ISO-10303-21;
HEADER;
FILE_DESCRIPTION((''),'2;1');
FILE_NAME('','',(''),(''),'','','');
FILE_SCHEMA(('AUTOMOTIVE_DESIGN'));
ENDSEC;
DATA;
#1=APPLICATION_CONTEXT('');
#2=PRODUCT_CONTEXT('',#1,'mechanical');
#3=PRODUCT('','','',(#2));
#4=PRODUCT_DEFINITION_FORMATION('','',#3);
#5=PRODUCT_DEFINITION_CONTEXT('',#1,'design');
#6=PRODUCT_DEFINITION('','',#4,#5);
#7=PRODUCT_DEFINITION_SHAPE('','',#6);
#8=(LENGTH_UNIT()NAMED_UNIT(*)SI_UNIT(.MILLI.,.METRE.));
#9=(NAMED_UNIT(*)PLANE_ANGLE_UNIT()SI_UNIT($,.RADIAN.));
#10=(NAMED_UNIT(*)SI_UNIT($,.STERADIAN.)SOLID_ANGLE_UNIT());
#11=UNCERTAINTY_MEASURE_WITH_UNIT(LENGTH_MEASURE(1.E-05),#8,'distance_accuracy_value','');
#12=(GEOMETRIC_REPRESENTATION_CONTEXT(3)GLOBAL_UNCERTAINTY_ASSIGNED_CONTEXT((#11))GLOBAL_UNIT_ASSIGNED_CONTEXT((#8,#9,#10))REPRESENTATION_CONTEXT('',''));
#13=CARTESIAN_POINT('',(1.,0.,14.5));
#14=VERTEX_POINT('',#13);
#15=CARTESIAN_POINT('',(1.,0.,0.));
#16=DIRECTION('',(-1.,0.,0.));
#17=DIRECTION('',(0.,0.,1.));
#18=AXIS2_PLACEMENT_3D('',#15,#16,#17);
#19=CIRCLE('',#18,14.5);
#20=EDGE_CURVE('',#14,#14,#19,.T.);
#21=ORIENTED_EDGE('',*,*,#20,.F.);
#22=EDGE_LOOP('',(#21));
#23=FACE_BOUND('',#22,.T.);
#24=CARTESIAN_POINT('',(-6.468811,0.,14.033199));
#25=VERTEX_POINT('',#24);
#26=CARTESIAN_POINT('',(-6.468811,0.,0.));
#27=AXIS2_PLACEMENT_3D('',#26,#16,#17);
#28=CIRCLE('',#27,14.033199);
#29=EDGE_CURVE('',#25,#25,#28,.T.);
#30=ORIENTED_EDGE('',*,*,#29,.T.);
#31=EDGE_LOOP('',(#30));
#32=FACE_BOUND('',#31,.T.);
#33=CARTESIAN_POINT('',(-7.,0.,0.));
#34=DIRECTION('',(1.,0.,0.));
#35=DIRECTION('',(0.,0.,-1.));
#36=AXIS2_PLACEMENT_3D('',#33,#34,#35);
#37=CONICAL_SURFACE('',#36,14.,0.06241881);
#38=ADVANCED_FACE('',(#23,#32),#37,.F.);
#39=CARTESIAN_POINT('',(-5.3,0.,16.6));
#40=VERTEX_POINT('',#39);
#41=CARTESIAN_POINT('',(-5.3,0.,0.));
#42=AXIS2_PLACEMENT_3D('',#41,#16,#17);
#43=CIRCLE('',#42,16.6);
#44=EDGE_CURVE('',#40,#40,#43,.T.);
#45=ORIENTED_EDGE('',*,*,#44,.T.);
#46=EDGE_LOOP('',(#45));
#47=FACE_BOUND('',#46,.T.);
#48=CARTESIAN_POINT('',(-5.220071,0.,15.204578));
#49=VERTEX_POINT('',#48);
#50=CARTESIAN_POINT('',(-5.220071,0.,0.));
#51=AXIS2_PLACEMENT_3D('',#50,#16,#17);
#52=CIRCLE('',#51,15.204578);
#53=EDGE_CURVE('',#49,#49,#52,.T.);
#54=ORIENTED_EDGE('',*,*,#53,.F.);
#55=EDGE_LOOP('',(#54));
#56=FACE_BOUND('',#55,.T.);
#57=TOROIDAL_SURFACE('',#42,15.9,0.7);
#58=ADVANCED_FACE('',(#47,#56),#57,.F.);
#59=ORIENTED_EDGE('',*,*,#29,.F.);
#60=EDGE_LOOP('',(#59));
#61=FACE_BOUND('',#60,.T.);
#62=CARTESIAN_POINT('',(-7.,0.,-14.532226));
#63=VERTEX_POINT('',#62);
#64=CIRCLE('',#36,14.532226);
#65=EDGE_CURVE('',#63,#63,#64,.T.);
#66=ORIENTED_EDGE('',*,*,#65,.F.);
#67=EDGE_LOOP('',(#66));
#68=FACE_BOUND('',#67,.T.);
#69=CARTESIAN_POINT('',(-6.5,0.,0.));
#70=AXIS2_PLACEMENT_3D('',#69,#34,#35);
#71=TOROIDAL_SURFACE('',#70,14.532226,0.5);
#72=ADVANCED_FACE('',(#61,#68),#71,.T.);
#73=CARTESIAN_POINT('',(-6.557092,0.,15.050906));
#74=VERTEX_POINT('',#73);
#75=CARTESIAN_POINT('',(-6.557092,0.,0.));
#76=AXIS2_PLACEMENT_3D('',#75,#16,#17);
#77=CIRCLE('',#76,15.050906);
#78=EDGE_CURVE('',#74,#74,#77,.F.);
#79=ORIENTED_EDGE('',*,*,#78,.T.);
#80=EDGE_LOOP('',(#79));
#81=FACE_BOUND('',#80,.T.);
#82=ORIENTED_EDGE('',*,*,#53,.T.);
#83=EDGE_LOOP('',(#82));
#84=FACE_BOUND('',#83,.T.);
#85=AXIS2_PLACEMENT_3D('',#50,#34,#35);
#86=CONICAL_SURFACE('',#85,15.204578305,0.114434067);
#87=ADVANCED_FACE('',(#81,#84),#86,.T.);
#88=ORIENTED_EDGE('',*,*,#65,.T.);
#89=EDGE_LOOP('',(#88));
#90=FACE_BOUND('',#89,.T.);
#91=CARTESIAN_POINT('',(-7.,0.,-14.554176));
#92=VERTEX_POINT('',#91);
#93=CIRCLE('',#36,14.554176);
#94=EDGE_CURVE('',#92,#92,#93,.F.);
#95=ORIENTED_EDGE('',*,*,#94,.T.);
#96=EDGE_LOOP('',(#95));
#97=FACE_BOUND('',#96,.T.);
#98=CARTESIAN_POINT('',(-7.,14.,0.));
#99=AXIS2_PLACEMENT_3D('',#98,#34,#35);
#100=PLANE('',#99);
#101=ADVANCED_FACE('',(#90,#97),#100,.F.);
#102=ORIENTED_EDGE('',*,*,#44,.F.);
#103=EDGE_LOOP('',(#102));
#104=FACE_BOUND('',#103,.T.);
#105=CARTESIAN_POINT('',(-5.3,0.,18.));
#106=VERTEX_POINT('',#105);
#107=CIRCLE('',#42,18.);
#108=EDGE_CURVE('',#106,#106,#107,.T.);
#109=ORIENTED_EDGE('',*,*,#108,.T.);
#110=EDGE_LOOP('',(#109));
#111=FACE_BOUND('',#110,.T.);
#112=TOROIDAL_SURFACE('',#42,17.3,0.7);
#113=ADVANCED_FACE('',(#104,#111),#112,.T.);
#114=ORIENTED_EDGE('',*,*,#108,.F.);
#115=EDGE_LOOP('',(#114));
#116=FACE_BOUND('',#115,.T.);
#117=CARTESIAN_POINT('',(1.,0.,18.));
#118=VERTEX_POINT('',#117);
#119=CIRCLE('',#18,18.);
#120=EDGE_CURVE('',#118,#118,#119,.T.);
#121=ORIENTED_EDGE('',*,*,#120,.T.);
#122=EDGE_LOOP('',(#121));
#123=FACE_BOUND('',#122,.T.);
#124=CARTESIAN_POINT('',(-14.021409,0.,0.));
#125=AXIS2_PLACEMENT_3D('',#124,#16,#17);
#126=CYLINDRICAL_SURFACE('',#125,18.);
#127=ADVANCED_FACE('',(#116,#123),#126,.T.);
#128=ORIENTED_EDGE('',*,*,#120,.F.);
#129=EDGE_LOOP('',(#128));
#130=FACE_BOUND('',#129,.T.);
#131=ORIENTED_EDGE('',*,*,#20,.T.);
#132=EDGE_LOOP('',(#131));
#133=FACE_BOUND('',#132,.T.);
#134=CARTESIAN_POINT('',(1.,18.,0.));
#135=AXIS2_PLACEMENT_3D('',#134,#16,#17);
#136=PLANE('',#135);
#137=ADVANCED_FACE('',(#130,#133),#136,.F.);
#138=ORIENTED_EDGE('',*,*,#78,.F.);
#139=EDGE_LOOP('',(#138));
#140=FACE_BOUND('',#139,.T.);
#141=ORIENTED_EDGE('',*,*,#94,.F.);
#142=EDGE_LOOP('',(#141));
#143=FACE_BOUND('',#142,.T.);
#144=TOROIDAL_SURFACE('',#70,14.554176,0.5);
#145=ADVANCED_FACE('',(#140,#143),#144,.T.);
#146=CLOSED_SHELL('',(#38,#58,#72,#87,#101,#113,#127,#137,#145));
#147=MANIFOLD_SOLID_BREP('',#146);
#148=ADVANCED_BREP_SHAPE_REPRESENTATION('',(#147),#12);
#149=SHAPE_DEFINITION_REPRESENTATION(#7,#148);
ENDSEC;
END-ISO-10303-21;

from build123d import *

# Parameters (mm, degrees)
ZAOKR_GLENIE1_R = 0.5


with BuildPart() as part:
    # Szkic1 → Obrót1 (revolve)
    with BuildSketch(Plane.XY, mode=Mode.PRIVATE) as obr_t1_sk:
        with BuildLine():
            Line((1, 18), (1, 14.5))
            Line((1, 14.5), (-7, 14))
            Line((-7, 14), (-7, 15))
            Line((-7, 15), (-5.220070867, 15.204578305))
            ThreePointArc((-5.220070867, 15.204578305), (-4.601145514, 15.940030073), (-5.3, 16.6))
            ThreePointArc((-5.3, 16.6), (-6, 17.3), (-5.3, 18))
            Line((-5.3, 18), (1, 18))
        make_face()
    revolve(obr_t1_sk.sketch.rotate(Axis((-14.021409336, 0, 0), (1, 0, 0)), 90), axis=Axis((-14.021409336, 0, 0), (1, 0, 0)))

    # Zaokrąglenie1
    zaokr_glenie1_edges = [part.edges().sort_by_distance(p)[0] for p in [
        (-7, 0, -14),
        (-7, 0, -15),
    ]]
    fillet(zaokr_glenie1_edges, radius=ZAOKR_GLENIE1_R)


solid = part.part
